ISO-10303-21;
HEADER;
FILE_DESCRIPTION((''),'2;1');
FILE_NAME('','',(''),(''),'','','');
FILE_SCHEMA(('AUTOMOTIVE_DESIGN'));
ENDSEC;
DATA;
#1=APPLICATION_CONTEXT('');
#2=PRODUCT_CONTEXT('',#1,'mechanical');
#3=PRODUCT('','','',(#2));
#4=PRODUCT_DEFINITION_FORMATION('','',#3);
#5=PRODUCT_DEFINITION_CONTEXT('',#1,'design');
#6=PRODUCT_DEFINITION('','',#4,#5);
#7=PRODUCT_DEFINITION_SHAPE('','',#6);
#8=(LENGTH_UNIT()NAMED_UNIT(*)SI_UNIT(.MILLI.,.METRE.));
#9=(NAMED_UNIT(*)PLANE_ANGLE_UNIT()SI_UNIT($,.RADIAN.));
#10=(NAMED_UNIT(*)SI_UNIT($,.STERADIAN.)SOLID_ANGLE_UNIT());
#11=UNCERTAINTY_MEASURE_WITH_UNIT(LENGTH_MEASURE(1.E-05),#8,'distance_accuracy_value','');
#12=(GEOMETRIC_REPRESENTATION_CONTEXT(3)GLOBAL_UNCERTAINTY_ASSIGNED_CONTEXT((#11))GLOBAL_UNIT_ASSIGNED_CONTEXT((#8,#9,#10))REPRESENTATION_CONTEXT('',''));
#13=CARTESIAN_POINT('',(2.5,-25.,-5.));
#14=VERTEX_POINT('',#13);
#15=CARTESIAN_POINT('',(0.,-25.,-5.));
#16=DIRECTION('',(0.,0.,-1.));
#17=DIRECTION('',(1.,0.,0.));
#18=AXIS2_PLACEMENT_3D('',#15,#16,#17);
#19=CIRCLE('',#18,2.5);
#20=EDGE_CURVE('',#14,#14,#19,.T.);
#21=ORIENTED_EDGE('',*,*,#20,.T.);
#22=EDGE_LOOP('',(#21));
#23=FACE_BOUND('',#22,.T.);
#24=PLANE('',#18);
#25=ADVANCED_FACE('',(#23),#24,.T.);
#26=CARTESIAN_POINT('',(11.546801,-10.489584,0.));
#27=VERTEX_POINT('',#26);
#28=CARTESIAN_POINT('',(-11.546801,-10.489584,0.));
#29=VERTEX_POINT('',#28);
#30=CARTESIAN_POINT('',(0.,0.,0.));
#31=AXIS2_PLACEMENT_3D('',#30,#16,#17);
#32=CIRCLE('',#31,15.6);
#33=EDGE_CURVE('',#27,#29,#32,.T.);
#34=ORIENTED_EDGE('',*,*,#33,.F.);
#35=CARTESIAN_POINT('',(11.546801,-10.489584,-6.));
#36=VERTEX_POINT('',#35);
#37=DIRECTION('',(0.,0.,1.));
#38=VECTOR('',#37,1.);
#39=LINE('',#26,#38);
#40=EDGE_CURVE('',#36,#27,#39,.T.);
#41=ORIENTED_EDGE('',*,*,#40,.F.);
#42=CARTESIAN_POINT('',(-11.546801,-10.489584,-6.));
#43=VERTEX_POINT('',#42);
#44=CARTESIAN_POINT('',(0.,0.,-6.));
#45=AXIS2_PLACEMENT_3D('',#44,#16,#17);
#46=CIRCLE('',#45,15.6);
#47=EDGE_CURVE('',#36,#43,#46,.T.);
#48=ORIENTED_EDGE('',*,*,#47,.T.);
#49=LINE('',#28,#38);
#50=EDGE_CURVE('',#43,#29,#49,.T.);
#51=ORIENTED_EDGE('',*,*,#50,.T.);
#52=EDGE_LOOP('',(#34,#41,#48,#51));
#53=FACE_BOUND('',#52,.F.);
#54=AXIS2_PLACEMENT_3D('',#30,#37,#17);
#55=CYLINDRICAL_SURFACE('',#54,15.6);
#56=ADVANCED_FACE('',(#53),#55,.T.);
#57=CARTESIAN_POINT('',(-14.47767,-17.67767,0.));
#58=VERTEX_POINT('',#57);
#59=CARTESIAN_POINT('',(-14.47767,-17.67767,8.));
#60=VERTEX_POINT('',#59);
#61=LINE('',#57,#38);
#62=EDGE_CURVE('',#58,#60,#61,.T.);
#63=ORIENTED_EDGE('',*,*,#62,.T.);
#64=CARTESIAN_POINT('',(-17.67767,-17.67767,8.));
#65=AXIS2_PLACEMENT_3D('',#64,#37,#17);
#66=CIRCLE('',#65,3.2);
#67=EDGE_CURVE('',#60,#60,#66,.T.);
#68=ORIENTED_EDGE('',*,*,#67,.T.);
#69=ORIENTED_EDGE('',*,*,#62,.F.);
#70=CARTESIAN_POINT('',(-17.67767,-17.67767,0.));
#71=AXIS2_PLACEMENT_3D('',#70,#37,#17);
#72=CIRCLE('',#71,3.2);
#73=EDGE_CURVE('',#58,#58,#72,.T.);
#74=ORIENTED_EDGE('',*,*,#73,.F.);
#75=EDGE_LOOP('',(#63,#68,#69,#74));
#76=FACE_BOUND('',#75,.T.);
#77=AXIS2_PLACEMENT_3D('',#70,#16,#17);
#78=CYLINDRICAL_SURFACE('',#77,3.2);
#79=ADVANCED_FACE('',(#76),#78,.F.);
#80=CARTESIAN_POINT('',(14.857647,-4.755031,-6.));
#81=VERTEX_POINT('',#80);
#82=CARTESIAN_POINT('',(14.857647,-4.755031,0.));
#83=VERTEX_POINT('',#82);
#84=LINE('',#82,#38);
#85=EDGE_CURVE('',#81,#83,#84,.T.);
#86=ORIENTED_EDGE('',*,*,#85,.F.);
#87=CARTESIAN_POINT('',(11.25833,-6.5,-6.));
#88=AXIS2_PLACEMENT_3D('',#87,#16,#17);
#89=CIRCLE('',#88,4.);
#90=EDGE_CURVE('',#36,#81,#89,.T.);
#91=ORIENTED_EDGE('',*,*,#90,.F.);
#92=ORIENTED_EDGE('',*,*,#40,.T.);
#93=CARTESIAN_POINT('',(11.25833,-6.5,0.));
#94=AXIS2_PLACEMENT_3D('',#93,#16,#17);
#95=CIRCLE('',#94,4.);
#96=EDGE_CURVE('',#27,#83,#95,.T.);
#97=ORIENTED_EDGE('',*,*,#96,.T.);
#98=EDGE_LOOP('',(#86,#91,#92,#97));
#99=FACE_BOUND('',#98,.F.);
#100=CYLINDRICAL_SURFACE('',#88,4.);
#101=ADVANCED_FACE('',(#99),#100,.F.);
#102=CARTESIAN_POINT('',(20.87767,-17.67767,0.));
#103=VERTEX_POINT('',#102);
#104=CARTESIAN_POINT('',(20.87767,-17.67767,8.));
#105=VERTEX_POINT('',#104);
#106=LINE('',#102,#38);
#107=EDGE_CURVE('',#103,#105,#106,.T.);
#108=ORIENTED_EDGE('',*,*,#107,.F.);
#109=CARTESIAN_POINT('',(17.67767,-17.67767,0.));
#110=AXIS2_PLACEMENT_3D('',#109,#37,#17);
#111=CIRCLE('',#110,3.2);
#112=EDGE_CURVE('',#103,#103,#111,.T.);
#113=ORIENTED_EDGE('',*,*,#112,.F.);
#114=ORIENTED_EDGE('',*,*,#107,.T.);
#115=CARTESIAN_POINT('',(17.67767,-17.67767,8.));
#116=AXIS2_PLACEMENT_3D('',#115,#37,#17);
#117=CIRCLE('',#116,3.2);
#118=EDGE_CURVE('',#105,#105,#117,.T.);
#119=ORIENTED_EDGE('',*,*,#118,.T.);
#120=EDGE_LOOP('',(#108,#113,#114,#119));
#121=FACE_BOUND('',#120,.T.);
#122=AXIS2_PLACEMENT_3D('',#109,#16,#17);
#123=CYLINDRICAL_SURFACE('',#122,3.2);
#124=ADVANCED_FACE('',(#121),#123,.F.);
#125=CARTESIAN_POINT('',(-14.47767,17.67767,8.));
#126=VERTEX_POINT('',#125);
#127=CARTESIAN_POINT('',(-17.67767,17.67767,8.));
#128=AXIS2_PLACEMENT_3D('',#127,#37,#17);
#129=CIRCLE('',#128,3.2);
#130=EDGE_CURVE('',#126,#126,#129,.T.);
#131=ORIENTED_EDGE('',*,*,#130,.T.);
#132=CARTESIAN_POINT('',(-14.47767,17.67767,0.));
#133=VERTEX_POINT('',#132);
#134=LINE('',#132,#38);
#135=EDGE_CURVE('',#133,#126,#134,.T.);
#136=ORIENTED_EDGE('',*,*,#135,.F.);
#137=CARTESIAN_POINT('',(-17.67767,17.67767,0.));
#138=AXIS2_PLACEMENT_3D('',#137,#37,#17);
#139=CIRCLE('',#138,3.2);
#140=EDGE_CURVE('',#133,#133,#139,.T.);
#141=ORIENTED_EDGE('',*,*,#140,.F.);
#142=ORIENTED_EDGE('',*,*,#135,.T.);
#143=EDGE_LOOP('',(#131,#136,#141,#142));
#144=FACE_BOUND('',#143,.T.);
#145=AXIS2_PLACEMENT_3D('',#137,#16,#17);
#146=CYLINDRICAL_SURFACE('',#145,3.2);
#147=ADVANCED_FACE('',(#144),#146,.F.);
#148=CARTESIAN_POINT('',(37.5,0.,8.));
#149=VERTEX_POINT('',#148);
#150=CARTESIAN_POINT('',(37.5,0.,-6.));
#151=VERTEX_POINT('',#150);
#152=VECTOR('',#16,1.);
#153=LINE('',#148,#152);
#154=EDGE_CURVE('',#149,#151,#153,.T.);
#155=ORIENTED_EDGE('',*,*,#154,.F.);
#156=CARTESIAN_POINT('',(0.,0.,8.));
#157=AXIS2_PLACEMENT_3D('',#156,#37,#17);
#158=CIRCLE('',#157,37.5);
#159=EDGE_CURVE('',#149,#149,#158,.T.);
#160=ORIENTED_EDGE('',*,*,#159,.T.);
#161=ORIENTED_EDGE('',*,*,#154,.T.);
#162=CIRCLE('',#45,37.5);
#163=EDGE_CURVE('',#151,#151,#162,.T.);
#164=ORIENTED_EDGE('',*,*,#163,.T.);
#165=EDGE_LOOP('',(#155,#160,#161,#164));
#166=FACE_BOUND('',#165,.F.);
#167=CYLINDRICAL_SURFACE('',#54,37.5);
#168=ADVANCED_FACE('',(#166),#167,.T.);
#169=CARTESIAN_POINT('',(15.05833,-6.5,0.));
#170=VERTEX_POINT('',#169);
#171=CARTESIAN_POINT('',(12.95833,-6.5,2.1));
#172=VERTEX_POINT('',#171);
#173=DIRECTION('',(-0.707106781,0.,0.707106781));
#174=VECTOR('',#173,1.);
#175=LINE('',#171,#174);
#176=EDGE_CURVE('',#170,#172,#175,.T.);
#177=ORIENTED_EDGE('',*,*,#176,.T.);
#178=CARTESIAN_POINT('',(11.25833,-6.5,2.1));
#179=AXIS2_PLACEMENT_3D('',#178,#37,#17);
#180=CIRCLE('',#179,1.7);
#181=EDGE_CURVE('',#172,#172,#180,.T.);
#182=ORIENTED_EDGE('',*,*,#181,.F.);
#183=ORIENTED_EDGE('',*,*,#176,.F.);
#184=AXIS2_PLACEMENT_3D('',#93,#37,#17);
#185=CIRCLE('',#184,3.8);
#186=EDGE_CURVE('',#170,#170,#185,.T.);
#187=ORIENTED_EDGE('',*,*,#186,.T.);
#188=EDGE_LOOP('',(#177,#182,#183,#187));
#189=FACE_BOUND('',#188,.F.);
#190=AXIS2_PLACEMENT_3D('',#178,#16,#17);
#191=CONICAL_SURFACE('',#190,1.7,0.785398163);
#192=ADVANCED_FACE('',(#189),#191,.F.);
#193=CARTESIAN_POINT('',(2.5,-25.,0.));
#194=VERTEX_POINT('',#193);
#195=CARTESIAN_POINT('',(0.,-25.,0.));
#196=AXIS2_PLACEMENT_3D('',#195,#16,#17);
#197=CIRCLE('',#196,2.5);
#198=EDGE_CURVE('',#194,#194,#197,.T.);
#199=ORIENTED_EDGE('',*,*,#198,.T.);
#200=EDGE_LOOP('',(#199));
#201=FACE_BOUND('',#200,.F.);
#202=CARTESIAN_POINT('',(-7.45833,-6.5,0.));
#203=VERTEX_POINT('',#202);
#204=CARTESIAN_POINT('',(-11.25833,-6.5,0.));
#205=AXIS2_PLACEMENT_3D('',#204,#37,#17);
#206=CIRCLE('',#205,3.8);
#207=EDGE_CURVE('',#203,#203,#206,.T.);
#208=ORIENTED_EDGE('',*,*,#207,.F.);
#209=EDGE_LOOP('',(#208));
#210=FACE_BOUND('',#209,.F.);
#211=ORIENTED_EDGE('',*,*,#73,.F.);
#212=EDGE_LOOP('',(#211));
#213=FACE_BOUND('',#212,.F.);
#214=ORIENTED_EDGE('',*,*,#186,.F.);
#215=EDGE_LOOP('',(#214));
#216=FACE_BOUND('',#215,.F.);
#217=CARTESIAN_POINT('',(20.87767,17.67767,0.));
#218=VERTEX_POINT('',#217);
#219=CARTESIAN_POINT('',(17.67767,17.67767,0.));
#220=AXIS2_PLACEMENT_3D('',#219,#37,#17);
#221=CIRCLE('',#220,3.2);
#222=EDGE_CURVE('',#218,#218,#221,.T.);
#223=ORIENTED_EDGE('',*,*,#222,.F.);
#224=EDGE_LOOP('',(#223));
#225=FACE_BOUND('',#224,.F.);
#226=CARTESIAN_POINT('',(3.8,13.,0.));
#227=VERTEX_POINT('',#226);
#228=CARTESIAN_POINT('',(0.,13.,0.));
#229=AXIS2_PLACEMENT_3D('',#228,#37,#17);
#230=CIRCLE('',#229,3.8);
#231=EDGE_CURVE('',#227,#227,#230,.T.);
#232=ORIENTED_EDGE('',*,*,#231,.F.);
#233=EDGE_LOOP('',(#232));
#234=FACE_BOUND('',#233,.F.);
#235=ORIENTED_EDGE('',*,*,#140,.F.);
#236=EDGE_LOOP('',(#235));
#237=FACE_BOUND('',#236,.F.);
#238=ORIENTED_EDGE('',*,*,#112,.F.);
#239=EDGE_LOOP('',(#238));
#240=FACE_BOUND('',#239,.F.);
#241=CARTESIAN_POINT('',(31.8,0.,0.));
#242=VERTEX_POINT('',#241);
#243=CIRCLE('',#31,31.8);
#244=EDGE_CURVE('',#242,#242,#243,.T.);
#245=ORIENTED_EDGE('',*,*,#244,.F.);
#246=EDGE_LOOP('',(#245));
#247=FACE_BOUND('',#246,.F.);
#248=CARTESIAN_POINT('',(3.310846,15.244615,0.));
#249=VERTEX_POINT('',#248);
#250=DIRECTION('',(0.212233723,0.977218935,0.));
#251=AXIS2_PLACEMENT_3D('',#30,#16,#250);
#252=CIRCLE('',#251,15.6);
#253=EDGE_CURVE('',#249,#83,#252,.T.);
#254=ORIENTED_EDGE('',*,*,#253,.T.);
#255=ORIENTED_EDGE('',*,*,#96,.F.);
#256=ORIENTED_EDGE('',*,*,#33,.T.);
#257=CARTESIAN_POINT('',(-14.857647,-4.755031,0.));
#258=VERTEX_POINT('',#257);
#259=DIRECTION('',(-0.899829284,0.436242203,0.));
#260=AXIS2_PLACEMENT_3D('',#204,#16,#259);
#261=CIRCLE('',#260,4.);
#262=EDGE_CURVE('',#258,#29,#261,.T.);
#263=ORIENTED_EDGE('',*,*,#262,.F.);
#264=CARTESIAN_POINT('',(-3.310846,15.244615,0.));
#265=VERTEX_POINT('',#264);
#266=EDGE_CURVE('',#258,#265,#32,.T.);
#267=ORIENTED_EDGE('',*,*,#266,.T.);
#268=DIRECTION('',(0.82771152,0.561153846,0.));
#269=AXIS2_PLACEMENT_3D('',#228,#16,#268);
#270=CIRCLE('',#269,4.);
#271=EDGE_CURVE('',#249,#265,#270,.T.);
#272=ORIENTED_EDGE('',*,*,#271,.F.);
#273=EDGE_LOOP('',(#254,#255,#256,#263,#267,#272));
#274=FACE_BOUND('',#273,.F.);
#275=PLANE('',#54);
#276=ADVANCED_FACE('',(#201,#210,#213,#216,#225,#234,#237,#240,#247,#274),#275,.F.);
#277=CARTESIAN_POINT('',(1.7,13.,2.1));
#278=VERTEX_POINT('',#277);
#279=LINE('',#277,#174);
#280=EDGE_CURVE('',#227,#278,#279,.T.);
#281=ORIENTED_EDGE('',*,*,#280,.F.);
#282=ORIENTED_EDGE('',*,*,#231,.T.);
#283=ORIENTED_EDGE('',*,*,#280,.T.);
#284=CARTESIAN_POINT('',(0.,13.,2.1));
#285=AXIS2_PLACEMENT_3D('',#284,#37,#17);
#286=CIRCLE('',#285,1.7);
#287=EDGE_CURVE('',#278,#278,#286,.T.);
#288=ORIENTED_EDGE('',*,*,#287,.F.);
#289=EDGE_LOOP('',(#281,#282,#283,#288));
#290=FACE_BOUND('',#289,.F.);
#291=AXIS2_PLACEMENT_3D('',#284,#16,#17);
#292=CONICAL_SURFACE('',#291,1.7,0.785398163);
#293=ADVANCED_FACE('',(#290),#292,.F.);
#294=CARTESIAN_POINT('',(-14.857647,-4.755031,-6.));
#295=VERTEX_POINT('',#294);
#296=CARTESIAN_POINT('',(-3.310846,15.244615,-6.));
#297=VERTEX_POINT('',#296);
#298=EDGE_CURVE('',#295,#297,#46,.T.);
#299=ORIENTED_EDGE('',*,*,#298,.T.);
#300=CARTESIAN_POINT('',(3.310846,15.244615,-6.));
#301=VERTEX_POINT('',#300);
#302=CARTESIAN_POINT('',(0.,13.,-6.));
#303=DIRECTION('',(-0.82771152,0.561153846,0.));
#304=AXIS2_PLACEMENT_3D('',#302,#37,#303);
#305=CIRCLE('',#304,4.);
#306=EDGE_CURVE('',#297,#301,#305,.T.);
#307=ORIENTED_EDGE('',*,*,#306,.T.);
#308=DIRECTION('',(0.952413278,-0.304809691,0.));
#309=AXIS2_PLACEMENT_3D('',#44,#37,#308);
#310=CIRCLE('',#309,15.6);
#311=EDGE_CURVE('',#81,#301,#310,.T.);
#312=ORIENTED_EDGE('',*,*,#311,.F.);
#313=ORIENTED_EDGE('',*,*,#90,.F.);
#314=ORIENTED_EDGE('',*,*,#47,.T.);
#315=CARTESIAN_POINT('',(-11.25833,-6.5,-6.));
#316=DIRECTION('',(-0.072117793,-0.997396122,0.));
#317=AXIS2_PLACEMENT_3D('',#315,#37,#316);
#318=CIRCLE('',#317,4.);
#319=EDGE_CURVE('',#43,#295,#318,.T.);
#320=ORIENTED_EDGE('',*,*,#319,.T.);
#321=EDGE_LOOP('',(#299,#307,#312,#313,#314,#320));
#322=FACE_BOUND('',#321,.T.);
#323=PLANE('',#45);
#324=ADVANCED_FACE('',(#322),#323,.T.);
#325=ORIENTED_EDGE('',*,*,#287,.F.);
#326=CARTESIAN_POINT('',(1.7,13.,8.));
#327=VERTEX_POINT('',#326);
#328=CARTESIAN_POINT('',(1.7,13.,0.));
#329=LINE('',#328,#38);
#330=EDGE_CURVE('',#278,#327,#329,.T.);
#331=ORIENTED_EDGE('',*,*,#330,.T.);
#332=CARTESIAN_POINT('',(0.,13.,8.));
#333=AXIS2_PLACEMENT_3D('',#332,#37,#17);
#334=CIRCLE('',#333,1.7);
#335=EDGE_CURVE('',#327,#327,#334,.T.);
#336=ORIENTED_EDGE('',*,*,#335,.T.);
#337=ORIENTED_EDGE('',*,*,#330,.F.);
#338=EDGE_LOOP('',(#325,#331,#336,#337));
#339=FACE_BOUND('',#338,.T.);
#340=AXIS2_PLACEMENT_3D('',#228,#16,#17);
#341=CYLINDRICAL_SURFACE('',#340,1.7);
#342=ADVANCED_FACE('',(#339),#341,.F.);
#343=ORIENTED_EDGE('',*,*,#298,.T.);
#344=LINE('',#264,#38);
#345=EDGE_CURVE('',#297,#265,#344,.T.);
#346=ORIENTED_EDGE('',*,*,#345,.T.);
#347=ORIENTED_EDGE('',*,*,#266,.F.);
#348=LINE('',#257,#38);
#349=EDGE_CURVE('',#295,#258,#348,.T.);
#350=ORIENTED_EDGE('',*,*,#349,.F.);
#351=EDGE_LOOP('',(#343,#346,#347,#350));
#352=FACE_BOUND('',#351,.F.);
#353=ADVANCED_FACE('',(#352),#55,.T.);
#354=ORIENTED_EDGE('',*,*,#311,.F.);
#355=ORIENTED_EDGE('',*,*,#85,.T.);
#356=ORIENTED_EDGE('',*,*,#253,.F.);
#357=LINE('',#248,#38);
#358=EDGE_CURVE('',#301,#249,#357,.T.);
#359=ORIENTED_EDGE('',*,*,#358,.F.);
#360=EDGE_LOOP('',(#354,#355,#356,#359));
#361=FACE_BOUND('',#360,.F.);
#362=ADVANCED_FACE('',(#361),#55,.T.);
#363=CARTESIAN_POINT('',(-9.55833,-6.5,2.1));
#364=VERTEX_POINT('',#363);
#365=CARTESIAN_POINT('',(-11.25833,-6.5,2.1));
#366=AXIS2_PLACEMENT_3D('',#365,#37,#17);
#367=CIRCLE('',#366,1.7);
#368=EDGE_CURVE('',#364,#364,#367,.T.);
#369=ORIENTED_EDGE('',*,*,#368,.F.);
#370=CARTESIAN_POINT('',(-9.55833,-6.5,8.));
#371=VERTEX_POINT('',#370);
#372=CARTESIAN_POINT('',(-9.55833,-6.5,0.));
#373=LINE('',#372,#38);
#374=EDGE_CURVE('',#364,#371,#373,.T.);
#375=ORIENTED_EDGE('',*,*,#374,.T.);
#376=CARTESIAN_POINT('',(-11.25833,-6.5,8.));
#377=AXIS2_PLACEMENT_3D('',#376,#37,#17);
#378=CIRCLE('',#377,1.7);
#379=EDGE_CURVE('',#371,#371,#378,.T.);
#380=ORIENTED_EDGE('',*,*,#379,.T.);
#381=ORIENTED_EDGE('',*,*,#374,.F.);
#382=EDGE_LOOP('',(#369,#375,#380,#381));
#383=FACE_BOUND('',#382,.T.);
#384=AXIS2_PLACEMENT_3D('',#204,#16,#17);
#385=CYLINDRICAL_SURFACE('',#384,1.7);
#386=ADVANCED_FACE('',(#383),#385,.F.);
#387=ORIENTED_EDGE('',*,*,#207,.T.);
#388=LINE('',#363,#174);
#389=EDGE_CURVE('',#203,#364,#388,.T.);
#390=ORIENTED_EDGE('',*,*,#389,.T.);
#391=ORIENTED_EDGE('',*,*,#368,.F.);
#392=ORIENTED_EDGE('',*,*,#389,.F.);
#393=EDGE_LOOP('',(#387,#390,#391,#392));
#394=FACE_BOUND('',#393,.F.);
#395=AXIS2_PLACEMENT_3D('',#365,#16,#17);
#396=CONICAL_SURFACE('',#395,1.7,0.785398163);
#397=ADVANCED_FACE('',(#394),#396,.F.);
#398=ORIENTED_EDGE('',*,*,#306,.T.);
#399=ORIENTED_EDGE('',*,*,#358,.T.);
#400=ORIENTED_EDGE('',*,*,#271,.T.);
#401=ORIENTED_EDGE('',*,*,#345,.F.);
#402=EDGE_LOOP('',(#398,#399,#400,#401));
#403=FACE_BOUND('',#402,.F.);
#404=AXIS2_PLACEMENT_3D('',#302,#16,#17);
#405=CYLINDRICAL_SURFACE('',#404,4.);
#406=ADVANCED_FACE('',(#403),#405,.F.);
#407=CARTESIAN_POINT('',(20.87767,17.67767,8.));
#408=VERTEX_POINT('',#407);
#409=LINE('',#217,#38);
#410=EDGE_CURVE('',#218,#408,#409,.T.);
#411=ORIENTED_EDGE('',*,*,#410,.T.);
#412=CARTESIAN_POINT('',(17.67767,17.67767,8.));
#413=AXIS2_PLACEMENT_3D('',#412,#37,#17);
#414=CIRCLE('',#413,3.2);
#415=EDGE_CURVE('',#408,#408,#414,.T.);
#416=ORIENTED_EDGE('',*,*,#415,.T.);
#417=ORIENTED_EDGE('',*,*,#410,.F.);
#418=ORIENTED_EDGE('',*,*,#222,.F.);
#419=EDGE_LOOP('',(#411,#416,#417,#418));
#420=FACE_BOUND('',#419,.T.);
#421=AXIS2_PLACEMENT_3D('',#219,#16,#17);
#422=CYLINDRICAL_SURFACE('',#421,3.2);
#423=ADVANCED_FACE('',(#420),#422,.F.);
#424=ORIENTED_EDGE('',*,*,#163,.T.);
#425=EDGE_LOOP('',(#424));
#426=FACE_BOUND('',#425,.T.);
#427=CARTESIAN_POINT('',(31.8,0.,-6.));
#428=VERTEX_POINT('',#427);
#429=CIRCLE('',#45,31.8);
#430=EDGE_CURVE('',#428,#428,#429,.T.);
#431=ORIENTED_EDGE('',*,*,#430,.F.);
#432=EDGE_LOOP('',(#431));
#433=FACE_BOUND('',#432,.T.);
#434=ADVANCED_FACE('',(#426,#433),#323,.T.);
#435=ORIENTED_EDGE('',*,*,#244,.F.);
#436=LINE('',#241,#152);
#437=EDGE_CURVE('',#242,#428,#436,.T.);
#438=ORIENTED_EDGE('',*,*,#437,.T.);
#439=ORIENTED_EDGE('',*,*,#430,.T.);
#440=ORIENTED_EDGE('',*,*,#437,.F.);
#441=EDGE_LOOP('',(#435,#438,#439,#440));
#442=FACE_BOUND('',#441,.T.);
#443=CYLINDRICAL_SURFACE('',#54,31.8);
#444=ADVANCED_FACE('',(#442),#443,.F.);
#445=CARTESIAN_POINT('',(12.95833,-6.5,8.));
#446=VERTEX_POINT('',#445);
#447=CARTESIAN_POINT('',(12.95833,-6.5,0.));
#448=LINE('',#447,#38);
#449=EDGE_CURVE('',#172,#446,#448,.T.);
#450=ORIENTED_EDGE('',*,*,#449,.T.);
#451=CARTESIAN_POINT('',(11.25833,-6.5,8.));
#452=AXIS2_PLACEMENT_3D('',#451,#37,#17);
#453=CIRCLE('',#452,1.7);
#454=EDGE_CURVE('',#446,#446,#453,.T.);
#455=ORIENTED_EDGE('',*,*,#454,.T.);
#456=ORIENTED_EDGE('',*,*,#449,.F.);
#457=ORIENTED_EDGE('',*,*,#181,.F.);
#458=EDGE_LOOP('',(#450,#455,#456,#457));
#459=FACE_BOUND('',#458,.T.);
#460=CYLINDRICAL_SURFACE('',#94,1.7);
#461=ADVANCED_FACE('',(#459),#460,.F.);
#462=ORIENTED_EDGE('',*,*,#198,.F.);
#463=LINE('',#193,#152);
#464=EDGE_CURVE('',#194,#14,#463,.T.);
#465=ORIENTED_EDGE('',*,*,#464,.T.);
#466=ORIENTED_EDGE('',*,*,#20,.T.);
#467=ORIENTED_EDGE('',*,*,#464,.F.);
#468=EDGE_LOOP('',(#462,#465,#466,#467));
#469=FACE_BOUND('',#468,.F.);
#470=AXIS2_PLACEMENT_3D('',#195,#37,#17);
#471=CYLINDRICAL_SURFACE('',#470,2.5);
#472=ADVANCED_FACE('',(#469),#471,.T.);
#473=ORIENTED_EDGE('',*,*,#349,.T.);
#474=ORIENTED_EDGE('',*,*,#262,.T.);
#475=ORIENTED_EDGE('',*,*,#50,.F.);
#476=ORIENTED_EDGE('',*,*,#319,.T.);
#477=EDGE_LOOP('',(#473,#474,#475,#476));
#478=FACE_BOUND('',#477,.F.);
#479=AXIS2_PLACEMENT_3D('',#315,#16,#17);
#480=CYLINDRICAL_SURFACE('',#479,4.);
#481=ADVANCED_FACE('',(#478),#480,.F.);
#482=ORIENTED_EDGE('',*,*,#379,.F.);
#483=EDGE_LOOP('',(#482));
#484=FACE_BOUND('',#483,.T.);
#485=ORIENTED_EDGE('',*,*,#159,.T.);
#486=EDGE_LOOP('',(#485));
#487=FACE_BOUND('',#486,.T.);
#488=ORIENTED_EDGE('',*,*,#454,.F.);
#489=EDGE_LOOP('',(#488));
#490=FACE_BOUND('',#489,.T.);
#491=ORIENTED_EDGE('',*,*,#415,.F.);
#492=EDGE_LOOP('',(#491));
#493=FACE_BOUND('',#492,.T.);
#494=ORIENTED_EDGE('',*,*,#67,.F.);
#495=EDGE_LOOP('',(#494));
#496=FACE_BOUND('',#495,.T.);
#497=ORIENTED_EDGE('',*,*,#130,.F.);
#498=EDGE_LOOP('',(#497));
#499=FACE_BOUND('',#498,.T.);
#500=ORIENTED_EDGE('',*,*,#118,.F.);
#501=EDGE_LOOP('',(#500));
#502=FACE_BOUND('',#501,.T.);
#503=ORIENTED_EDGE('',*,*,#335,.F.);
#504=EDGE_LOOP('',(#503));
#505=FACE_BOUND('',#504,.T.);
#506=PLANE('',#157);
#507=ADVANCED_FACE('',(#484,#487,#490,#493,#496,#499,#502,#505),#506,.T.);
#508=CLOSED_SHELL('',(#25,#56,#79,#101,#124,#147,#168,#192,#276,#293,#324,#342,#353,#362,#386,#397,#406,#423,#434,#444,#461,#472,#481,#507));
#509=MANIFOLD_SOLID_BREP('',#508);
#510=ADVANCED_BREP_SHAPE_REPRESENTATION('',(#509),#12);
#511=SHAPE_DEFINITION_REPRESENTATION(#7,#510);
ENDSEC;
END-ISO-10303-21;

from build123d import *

# Parameters (mm, degrees)
SKETCH_R        = 37.5
SKETCH_R_2      = 1.7
SKETCH_R_3      = 3.2
PAD_DEPTH       = 8
SKETCH001_R     = 37.5
SKETCH001_R_2   = 31.8
PAD001_DEPTH    = 6
SKETCH002_R     = 2.5
PAD002_DEPTH    = 5
SKETCH003_R     = 15.6
PAD003_DEPTH    = 6
SKETCH004_R     = 4
POCKET_DEPTH    = 6
CHAMFER_SIZE    = 2.1
CHAMFER001_SIZE = 2.1
CHAMFER002_SIZE = 2.1


with BuildPart() as part:
    # Sketch → Pad (new body)
    with BuildSketch(Plane.XY):
        Circle(SKETCH_R)
        with Locations((-11.25833, -6.5)):
            Circle(SKETCH_R_2, mode=Mode.SUBTRACT)
        with Locations((11.25833, -6.5)):
            Circle(SKETCH_R_2, mode=Mode.SUBTRACT)
        with Locations((0, 13)):
            Circle(SKETCH_R_2, mode=Mode.SUBTRACT)
        with Locations((-17.67767, 17.67767)):
            Circle(SKETCH_R_3, mode=Mode.SUBTRACT)
        with Locations((17.67767, 17.67767)):
            Circle(SKETCH_R_3, mode=Mode.SUBTRACT)
        with Locations((-17.67767, -17.67767)):
            Circle(SKETCH_R_3, mode=Mode.SUBTRACT)
        with Locations((17.67767, -17.67767)):
            Circle(SKETCH_R_3, mode=Mode.SUBTRACT)
    extrude(amount=PAD_DEPTH)

    # Sketch001 → Pad001 (new body)
    with BuildSketch(Plane(origin=(0, 0, 0), x_dir=(1, 0, 0), z_dir=(0, 0, -1))):
        Circle(SKETCH001_R)
        Circle(SKETCH001_R_2, mode=Mode.SUBTRACT)
    extrude(amount=PAD001_DEPTH)

    # Sketch002 → Pad002 (new body)
    with BuildSketch(Plane(origin=(0, 0, 0), x_dir=(1, 0, 0), z_dir=(0, 0, -1))):
        with Locations((0, 25)):
            Circle(SKETCH002_R)
    extrude(amount=PAD002_DEPTH)

    # Sketch003 → Pad003 (new body)
    with BuildSketch(Plane(origin=(0, 0, 0), x_dir=(1, 0, 0), z_dir=(0, 0, -1))):
        Circle(SKETCH003_R)
    extrude(amount=PAD003_DEPTH)

    # Sketch004 → Pocket (cut)
    with BuildSketch(Plane(origin=(0, 0, -6), x_dir=(1, 0, 0), z_dir=(0, 0, -1))):
        with Locations((-11.25833, 6.5)):
            Circle(SKETCH004_R)
        with Locations((11.25833, 6.5)):
            Circle(SKETCH004_R)
        with Locations((0, -13)):
            Circle(SKETCH004_R)
    extrude(amount=-POCKET_DEPTH, mode=Mode.SUBTRACT)

    # Chamfer
    chamfer_edges = [part.edges().sort_by_distance(p)[0] for p in [
        (9.55833, -6.5, 0),
    ]]
    chamfer(chamfer_edges, length=CHAMFER_SIZE)

    # Chamfer001
    chamfer001_edges = [part.edges().sort_by_distance(p)[0] for p in [
        (-12.95833, -6.5, 0),
    ]]
    chamfer(chamfer001_edges, length=CHAMFER001_SIZE)

    # Chamfer002
    chamfer002_edges = [part.edges().sort_by_distance(p)[0] for p in [
        (-1.7, 13, 0),
    ]]
    chamfer(chamfer002_edges, length=CHAMFER002_SIZE)


solid = part.part
